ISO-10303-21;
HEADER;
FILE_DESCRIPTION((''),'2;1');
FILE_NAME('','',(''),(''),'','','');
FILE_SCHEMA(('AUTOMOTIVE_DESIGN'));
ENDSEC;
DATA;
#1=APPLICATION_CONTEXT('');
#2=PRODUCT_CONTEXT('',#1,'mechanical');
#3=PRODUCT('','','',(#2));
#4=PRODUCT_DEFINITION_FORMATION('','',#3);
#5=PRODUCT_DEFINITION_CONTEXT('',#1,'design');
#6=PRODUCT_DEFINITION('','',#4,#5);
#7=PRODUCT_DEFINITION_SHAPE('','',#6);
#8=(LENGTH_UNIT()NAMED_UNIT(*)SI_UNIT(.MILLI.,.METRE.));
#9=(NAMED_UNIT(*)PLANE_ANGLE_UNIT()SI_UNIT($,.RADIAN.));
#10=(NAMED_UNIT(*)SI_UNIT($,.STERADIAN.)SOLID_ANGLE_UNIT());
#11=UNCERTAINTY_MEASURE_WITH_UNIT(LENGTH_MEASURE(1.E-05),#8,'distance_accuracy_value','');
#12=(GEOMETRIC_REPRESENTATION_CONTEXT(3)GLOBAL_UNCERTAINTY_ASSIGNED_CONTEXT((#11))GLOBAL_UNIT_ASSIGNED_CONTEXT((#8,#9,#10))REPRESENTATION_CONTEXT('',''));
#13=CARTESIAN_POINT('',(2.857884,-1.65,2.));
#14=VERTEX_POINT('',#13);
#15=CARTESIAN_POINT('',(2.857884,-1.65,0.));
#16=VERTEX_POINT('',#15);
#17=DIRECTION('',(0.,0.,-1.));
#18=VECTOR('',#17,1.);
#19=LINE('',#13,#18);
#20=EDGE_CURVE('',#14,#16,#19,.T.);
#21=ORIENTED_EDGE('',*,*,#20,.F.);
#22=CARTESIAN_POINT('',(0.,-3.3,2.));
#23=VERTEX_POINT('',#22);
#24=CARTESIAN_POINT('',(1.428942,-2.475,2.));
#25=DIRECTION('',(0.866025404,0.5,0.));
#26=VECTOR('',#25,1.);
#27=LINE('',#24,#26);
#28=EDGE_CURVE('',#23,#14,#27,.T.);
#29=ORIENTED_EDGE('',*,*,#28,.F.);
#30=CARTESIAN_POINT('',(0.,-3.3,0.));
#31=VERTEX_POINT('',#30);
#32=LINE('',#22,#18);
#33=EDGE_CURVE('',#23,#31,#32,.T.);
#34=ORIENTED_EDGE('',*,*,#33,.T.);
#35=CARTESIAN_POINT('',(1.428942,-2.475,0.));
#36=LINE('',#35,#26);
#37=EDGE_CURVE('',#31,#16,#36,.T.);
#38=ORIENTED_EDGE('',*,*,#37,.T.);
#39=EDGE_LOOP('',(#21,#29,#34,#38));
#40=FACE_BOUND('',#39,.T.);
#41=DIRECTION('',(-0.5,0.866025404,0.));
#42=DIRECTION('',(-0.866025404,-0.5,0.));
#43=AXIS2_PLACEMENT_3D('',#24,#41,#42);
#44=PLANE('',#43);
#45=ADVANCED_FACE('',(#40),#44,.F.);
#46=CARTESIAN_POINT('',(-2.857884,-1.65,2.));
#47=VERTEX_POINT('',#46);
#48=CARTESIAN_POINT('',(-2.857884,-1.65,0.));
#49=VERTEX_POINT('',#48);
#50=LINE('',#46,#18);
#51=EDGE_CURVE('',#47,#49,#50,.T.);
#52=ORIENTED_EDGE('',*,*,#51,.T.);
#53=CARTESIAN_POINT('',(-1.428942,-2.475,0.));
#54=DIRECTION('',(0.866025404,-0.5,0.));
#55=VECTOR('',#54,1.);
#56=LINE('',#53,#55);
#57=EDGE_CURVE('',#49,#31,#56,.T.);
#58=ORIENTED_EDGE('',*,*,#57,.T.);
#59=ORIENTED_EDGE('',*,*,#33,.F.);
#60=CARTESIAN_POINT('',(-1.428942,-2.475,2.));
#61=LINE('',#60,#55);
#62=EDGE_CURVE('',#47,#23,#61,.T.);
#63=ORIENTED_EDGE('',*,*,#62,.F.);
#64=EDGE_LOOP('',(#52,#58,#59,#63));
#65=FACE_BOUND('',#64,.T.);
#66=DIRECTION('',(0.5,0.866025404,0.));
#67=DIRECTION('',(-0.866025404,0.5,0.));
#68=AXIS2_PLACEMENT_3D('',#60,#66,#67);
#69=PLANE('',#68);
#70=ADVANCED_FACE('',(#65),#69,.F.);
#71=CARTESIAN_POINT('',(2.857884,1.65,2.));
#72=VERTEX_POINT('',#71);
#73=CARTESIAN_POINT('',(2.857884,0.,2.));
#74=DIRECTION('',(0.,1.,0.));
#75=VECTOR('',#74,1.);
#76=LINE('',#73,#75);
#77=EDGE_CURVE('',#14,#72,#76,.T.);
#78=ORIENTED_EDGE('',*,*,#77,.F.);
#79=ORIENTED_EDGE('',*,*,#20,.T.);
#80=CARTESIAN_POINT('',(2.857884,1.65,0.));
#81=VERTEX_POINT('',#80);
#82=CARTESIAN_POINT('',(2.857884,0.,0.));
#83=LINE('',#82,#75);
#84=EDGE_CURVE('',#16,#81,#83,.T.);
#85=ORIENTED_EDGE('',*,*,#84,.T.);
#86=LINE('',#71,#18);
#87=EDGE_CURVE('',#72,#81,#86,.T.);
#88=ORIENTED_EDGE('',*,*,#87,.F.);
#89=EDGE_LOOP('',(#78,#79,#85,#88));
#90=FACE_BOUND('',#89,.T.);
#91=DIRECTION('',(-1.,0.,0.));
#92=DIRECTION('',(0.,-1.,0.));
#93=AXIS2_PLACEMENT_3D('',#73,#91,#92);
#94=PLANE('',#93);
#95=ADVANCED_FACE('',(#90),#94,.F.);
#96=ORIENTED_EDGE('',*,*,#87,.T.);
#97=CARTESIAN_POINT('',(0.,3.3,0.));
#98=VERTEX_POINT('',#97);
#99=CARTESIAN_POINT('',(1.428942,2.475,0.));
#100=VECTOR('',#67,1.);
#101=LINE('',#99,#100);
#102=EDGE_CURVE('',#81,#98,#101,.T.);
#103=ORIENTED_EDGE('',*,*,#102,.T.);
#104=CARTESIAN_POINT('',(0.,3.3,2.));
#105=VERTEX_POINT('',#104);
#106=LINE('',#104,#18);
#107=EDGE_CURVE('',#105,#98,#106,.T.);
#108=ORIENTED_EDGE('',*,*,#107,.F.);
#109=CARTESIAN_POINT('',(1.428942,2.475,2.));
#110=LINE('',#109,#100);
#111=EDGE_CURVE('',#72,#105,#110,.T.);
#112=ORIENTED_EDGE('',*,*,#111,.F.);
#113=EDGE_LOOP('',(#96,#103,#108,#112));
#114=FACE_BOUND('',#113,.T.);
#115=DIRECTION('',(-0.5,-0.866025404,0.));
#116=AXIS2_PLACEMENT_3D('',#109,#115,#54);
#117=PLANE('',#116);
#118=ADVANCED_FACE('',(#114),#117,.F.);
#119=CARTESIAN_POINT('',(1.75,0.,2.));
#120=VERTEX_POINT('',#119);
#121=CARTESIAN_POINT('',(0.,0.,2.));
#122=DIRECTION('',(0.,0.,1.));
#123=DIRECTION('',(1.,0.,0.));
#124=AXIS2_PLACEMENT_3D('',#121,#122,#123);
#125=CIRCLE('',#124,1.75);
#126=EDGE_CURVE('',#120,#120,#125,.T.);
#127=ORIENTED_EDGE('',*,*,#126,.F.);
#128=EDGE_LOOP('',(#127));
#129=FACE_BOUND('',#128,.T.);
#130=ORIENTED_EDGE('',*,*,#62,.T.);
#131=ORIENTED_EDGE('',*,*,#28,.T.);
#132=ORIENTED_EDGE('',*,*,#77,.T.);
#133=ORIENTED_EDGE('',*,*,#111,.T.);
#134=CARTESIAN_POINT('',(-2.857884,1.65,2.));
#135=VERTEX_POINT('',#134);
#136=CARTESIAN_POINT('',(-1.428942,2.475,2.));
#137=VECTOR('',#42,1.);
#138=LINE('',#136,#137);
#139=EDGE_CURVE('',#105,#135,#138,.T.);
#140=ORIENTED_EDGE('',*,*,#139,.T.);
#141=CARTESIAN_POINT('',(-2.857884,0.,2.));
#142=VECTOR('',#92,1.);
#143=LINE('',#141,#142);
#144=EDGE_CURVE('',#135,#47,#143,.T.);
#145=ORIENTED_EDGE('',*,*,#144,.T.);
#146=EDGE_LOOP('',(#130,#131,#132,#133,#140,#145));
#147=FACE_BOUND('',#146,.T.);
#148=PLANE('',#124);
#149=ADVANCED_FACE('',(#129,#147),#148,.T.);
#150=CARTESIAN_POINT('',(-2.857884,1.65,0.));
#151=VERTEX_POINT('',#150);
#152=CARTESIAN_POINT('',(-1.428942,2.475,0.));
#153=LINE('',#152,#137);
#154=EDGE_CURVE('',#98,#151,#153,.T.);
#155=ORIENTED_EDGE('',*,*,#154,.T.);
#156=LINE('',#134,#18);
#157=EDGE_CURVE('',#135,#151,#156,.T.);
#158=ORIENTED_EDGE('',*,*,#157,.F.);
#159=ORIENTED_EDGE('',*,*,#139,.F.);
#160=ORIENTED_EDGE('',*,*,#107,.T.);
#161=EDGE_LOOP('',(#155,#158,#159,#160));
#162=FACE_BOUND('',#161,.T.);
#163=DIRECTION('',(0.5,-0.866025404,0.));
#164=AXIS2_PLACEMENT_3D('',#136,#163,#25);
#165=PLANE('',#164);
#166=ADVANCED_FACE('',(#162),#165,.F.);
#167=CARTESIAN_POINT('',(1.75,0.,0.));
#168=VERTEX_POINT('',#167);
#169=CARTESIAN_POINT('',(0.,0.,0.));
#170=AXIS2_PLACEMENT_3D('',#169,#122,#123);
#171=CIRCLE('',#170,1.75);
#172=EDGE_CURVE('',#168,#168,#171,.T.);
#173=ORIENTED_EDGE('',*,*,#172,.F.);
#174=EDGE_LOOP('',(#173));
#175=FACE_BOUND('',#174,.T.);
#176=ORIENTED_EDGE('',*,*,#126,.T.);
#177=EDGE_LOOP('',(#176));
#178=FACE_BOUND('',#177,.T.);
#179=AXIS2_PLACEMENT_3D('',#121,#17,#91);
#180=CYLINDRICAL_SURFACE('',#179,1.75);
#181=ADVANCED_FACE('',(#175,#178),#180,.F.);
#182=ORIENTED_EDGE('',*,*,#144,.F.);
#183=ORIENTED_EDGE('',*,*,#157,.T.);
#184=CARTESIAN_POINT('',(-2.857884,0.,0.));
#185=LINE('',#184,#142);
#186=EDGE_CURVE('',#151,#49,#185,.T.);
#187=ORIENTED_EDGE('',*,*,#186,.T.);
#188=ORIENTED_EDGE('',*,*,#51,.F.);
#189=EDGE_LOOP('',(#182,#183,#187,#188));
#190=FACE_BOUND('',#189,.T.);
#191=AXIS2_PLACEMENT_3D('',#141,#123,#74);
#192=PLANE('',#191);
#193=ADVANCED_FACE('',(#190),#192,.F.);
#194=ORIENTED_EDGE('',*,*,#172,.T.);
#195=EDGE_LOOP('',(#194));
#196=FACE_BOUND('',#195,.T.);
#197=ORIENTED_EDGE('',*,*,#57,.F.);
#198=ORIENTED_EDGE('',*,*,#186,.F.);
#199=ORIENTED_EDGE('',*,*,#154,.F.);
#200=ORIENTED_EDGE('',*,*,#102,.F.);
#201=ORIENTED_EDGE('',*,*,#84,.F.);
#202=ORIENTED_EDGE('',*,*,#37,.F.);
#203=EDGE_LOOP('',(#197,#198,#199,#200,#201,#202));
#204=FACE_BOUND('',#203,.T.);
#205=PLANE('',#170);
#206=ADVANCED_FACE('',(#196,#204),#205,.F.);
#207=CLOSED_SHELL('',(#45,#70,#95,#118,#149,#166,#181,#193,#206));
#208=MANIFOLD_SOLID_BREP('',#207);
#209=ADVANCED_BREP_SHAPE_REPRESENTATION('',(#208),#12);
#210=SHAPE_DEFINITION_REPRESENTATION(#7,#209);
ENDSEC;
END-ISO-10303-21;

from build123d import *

# Parameters (mm, degrees)
ESQUISSE1_R        = 1.75
BOSS_EXTRU_1_DEPTH = 2


with BuildPart() as part:
    # Esquisse1 → Boss.-Extru.1 (new body)
    with BuildSketch(Plane.XY):
        Polygon((0, 3.3), (-2.857883832, 1.65), (-2.857883832, -1.65), (0, -3.3), (2.857883832, -1.65), (2.857883832, 1.65), align=None)
        Circle(ESQUISSE1_R, mode=Mode.SUBTRACT)
    extrude(amount=BOSS_EXTRU_1_DEPTH)


solid = part.part
